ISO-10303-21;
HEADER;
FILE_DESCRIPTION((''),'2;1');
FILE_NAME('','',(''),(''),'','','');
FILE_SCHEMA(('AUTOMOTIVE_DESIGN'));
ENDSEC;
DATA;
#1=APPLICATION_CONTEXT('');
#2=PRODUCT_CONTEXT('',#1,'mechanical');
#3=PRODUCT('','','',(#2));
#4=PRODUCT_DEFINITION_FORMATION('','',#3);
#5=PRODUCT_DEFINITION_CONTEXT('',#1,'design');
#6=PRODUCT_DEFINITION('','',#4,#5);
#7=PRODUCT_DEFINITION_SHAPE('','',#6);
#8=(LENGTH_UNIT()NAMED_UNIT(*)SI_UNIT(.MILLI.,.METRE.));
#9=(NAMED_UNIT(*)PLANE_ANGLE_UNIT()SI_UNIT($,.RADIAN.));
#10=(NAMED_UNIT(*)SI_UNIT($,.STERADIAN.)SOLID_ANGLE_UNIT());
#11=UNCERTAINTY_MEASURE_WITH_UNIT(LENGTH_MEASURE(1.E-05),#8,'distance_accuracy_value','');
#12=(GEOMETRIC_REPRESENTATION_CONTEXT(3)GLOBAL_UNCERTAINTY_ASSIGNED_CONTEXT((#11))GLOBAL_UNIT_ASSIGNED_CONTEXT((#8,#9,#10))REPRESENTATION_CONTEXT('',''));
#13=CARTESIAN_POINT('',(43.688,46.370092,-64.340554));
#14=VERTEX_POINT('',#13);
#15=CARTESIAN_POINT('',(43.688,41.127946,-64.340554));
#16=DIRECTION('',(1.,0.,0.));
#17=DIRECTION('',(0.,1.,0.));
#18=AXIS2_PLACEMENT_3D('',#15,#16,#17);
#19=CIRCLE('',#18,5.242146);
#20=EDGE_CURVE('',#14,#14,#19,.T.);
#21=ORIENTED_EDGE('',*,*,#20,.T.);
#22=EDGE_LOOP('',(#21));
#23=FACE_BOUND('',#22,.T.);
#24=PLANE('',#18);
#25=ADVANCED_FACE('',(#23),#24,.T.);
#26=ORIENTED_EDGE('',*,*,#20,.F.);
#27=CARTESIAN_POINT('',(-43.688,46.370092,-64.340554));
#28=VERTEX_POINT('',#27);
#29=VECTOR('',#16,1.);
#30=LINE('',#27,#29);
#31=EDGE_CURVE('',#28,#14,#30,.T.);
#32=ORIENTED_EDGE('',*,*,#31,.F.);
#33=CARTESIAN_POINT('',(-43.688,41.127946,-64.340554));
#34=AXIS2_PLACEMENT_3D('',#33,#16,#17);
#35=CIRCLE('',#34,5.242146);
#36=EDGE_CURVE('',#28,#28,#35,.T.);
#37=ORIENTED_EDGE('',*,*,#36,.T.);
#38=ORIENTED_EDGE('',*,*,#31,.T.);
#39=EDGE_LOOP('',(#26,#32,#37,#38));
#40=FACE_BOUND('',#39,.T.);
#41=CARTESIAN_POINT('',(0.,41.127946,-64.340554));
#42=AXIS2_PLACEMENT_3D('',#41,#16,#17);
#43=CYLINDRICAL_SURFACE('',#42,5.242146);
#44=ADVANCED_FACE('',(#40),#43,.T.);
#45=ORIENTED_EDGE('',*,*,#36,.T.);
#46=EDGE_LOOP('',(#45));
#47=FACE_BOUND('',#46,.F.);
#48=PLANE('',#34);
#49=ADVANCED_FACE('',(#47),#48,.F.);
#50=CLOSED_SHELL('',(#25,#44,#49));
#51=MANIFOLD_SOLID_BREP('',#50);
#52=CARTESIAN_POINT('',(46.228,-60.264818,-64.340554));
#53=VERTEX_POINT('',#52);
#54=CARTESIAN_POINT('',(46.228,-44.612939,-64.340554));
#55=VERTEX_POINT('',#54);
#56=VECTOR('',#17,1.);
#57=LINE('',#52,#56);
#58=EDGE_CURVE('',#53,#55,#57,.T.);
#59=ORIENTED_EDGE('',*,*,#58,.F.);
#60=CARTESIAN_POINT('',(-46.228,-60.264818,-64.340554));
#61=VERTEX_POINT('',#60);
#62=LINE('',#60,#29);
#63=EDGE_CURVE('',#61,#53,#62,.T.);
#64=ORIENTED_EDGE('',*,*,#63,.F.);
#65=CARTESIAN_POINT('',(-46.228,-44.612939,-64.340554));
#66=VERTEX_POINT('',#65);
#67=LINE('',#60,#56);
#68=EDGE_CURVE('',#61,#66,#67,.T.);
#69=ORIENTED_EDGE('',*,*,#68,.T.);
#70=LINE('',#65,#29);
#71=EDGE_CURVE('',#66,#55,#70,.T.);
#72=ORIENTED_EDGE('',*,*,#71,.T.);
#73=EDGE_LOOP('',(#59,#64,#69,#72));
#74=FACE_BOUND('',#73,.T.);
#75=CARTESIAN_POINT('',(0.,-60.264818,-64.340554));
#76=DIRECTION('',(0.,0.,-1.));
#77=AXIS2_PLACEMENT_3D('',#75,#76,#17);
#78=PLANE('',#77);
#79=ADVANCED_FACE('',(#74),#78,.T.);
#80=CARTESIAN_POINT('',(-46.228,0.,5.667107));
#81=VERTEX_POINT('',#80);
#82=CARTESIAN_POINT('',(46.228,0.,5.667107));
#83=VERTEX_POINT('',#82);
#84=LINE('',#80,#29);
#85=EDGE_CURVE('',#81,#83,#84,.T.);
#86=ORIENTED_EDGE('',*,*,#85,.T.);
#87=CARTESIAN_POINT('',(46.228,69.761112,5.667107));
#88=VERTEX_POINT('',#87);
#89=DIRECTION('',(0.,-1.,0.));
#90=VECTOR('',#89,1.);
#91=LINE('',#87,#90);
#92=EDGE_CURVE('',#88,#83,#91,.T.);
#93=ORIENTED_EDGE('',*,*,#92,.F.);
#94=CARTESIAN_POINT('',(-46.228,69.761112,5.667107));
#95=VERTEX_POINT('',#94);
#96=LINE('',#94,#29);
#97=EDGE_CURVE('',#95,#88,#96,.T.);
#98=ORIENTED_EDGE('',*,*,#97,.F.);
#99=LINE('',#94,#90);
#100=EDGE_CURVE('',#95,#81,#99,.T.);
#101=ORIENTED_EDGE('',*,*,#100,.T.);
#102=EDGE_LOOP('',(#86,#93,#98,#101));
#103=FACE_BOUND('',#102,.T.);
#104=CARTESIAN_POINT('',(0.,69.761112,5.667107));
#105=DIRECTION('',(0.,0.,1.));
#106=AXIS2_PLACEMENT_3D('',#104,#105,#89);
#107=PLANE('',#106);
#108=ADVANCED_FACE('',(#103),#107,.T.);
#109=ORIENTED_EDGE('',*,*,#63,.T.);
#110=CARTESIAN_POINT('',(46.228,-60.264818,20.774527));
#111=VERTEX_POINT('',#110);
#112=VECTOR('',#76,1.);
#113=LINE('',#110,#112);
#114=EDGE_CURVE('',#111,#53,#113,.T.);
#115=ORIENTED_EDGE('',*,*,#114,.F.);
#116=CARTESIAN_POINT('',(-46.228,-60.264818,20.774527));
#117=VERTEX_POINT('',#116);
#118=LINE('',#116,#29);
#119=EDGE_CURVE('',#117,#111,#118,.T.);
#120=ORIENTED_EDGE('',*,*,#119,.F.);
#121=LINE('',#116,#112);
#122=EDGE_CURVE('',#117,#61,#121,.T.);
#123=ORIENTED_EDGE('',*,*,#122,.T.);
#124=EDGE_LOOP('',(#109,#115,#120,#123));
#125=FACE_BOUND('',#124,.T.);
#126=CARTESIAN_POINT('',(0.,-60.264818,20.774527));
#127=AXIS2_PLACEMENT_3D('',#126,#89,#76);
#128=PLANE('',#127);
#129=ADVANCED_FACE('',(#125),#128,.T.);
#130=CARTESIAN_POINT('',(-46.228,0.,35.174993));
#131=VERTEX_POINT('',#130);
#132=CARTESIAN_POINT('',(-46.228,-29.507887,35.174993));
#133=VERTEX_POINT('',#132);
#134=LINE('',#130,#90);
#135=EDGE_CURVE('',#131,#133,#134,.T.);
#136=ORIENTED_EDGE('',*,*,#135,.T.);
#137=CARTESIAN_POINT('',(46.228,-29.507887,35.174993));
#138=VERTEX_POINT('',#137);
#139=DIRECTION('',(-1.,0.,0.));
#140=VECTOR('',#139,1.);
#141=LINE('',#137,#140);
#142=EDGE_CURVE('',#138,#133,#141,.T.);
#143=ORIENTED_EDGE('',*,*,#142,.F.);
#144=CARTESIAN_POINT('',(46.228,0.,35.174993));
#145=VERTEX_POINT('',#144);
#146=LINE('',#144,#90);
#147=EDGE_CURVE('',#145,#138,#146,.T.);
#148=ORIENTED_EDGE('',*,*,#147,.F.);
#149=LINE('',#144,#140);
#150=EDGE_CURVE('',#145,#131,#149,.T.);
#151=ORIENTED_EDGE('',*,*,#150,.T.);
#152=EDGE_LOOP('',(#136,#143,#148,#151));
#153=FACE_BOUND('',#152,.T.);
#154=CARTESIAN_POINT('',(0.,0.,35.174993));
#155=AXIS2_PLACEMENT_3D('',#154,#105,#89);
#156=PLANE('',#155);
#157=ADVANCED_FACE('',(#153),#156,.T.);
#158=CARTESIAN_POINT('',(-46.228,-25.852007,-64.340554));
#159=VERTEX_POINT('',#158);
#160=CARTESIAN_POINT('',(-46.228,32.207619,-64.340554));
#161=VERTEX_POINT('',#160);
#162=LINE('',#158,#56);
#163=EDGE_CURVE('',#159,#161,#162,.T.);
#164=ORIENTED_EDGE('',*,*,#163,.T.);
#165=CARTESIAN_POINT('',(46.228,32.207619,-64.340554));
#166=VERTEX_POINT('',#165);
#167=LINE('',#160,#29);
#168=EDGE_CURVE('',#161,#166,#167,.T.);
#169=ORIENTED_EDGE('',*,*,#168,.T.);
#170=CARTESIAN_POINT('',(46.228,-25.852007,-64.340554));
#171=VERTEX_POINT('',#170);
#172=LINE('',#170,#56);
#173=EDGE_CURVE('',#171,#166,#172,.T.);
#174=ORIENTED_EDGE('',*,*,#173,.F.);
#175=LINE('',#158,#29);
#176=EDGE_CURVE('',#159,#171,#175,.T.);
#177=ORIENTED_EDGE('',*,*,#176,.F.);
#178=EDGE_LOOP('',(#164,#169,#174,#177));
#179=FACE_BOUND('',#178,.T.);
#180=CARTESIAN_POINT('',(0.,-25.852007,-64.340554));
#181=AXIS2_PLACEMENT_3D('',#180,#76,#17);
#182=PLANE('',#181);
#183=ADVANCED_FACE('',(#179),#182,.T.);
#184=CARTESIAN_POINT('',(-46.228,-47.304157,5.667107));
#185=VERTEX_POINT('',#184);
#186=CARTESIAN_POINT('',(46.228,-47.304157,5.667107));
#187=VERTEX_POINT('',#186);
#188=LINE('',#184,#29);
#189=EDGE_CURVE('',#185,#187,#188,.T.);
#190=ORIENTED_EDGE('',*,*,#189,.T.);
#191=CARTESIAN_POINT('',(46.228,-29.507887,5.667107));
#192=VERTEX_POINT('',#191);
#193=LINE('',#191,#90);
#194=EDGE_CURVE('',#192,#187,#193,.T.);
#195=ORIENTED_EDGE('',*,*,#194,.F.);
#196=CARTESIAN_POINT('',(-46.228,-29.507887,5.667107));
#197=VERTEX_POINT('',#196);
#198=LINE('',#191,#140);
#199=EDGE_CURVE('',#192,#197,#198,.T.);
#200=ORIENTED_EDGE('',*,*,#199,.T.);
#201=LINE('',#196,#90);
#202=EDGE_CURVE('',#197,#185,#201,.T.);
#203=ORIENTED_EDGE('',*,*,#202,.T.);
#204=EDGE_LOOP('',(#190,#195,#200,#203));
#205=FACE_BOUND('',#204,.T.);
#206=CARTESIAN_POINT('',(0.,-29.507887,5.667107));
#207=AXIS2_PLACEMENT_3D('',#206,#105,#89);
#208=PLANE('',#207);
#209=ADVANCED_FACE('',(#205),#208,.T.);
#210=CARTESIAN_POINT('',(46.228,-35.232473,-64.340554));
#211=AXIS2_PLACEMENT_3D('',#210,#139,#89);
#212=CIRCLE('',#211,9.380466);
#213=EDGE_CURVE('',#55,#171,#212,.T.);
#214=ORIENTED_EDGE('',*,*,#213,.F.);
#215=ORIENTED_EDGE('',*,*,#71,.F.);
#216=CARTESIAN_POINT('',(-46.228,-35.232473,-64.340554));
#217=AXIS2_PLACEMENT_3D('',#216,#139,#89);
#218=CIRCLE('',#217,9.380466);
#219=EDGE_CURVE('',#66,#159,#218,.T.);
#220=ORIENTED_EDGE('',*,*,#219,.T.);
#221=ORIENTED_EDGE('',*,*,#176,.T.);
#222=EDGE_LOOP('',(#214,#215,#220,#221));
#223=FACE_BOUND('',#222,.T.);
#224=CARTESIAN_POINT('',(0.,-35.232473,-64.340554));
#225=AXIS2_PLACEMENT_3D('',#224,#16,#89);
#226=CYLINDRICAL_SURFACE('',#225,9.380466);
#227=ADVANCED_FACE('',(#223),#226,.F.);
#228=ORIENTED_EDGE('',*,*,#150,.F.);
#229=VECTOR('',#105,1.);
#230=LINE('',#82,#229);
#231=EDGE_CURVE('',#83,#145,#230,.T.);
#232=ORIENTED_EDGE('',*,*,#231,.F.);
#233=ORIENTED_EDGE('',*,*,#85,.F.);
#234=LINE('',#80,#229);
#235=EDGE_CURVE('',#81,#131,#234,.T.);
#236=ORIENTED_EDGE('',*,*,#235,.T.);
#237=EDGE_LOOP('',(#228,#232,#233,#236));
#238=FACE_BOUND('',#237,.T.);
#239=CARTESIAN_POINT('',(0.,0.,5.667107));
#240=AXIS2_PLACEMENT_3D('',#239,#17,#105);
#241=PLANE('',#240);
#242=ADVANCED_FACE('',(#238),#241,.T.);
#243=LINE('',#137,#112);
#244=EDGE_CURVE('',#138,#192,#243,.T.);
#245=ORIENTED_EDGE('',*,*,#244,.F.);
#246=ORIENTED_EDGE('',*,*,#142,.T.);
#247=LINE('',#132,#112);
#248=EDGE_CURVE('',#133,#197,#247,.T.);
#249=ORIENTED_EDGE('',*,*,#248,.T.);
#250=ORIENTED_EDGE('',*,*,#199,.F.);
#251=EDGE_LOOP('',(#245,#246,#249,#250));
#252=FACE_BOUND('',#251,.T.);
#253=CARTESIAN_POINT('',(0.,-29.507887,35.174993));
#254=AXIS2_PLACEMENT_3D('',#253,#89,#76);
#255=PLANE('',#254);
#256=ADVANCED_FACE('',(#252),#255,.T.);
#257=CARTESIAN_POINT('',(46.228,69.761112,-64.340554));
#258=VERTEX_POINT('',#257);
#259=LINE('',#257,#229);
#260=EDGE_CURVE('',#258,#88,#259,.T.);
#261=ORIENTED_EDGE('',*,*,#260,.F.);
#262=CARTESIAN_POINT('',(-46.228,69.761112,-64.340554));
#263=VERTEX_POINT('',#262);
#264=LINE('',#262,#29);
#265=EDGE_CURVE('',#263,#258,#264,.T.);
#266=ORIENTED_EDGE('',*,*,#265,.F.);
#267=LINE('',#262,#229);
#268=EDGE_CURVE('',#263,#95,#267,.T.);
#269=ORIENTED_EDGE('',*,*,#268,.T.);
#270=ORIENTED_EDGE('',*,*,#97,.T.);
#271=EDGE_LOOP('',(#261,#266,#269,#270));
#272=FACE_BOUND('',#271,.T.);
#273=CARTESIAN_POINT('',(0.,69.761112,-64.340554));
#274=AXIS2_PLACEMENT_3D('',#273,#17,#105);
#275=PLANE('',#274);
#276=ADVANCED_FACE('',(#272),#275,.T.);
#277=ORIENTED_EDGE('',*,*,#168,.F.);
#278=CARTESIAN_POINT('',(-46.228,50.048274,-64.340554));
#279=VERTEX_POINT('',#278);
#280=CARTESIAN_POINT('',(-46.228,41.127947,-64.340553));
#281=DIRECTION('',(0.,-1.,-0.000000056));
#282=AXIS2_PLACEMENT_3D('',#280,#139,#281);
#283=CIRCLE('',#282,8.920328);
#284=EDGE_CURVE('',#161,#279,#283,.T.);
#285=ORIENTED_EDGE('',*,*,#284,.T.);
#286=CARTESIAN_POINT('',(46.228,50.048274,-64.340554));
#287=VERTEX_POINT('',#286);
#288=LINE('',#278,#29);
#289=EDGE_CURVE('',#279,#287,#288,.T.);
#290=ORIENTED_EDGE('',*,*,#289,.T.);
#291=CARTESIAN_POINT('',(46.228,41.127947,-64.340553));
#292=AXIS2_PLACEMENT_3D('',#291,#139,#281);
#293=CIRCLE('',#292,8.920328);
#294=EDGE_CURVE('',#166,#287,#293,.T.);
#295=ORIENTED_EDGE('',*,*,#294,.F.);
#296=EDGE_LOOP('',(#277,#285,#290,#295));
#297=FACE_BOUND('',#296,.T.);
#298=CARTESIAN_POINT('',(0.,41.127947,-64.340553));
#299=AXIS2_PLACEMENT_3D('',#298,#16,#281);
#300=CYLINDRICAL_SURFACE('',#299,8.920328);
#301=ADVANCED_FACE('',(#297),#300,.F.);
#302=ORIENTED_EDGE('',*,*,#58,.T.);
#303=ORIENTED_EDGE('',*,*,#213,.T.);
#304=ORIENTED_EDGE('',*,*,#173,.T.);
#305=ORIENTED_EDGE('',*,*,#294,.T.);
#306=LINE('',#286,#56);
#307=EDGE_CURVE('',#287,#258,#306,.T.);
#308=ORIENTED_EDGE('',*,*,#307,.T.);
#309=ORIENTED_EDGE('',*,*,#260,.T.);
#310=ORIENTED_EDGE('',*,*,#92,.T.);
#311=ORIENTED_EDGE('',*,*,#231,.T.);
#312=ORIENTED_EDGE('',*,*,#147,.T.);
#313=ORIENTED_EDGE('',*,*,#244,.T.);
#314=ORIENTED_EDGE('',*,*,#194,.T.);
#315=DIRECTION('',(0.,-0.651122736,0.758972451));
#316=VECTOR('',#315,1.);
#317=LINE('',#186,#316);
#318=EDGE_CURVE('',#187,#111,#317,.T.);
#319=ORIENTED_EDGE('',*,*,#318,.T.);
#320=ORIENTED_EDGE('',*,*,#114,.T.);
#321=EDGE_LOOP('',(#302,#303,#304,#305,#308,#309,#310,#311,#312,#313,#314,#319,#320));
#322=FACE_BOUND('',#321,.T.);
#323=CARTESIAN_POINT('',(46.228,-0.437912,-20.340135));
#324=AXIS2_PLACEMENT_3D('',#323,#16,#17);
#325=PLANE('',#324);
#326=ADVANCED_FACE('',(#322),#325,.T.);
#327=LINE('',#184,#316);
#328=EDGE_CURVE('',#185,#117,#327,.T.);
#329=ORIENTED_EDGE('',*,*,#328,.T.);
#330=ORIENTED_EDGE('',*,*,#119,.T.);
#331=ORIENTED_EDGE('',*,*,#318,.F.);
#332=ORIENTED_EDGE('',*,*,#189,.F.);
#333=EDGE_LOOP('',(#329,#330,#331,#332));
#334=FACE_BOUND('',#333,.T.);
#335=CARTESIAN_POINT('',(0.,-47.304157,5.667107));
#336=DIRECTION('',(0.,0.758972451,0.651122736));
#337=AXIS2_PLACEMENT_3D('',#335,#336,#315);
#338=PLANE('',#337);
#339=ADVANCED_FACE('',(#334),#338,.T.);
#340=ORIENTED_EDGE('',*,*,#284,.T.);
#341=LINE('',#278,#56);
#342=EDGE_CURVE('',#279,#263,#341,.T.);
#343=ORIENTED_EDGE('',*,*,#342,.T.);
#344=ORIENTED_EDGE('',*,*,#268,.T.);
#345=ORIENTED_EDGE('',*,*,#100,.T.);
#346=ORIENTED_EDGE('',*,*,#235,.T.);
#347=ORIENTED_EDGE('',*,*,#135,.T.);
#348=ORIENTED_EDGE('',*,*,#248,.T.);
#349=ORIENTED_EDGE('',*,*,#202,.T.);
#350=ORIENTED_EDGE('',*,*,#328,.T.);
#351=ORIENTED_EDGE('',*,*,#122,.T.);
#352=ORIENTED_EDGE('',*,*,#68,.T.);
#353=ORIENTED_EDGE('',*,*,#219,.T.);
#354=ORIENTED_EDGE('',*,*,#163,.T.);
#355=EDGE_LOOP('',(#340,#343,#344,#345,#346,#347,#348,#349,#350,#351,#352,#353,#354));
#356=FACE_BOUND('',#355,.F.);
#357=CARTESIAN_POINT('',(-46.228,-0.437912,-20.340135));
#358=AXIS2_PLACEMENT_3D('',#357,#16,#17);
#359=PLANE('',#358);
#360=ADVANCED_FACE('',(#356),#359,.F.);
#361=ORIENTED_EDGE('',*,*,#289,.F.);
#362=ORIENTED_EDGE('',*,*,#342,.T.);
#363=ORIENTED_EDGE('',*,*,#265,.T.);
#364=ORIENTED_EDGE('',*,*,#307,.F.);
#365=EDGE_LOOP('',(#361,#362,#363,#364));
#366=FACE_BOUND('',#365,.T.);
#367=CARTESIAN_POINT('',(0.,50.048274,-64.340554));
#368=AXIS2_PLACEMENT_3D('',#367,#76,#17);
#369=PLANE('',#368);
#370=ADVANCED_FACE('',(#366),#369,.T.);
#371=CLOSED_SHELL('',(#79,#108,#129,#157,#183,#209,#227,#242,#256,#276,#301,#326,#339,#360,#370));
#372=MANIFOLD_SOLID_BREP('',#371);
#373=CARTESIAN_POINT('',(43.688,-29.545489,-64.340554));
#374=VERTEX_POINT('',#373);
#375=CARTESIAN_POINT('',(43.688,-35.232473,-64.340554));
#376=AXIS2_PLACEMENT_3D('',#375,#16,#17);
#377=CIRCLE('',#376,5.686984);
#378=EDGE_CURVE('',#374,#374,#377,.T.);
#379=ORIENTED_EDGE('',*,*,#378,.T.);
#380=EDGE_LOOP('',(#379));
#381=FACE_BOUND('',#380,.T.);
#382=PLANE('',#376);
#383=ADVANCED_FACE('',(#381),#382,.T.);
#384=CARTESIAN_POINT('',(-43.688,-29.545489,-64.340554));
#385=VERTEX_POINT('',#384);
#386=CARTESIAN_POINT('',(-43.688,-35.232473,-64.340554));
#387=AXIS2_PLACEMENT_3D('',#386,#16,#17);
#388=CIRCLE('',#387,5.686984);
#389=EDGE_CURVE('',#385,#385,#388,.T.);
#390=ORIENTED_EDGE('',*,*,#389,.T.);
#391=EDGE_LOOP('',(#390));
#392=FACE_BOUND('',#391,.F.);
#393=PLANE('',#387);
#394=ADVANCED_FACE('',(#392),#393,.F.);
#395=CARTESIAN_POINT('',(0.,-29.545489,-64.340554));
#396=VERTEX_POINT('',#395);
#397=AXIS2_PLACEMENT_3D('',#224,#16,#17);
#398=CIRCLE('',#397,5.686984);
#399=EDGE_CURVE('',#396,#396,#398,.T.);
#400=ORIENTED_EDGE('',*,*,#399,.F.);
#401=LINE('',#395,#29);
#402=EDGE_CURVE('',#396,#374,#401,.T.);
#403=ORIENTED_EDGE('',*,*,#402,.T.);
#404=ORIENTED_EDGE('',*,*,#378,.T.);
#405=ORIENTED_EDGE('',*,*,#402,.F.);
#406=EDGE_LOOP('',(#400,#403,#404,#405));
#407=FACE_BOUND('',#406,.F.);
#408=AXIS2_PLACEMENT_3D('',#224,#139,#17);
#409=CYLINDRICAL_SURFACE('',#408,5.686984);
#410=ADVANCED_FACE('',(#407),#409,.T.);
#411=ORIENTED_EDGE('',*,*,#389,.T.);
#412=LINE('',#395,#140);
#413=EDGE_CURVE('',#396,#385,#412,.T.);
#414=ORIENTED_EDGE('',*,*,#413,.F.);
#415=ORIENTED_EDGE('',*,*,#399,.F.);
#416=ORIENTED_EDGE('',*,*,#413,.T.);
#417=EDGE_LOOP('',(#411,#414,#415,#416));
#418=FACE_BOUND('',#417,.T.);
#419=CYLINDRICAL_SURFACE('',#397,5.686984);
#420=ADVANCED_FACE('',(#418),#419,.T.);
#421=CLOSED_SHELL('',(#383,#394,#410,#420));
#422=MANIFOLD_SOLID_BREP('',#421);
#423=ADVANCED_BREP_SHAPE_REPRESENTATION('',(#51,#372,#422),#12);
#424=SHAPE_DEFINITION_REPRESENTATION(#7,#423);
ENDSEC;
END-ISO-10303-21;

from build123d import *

# Parameters (mm, degrees)
F1_DEPTH = 46.228
F2_R     = 5.686984
F2_R_2   = 5.242146
F3_DEPTH = 43.688


with BuildPart() as f1:
    # F0 (on Right) → F1 (new body, symmetric)
    with BuildSketch(Plane.YZ):
        with BuildLine():
            Line((-29.507887, 5.667107), (-47.304157, 5.667107))
            Line((-47.304157, 5.667107), (-60.264818, 20.774527))
            Line((-60.264818, 20.774527), (-60.264818, 5.667107))
            Line((-60.264818, 5.667107), (-60.264818, -64.340554))
            Line((-60.264818, -64.340554), (-44.612939, -64.340554))
            ThreePointArc((-44.612939, -64.340554), (-35.232473, -54.960088), (-25.852007, -64.340554))
            Line((-25.852007, -64.340554), (32.207619, -64.340554))
            ThreePointArc((32.207619, -64.340554), (41.127946, -55.420226), (50.048274, -64.340554))
            Line((50.048274, -64.340554), (69.761112, -64.340554))
            Line((69.761112, -64.340554), (69.761112, 5.667107))
            Line((69.761112, 5.667107), (0, 5.667107))
            Line((0, 5.667107), (0, 35.174993))
            Line((0, 35.174993), (-29.507887, 35.174993))
            Line((-29.507887, 35.174993), (-29.507887, 5.667107))
        make_face()
    extrude(amount=F1_DEPTH, both=True)


with BuildPart() as f3:
    # F2 (on Right) → F3 (new body, symmetric)
    with BuildSketch(Plane.YZ):
        with Locations((-35.232473, -64.340554)):
            Circle(F2_R)
        with Locations((41.127946, -64.340554)):
            Circle(F2_R_2)
    extrude(amount=F3_DEPTH, both=True)


solid = Compound([f1.part, f3.part])
